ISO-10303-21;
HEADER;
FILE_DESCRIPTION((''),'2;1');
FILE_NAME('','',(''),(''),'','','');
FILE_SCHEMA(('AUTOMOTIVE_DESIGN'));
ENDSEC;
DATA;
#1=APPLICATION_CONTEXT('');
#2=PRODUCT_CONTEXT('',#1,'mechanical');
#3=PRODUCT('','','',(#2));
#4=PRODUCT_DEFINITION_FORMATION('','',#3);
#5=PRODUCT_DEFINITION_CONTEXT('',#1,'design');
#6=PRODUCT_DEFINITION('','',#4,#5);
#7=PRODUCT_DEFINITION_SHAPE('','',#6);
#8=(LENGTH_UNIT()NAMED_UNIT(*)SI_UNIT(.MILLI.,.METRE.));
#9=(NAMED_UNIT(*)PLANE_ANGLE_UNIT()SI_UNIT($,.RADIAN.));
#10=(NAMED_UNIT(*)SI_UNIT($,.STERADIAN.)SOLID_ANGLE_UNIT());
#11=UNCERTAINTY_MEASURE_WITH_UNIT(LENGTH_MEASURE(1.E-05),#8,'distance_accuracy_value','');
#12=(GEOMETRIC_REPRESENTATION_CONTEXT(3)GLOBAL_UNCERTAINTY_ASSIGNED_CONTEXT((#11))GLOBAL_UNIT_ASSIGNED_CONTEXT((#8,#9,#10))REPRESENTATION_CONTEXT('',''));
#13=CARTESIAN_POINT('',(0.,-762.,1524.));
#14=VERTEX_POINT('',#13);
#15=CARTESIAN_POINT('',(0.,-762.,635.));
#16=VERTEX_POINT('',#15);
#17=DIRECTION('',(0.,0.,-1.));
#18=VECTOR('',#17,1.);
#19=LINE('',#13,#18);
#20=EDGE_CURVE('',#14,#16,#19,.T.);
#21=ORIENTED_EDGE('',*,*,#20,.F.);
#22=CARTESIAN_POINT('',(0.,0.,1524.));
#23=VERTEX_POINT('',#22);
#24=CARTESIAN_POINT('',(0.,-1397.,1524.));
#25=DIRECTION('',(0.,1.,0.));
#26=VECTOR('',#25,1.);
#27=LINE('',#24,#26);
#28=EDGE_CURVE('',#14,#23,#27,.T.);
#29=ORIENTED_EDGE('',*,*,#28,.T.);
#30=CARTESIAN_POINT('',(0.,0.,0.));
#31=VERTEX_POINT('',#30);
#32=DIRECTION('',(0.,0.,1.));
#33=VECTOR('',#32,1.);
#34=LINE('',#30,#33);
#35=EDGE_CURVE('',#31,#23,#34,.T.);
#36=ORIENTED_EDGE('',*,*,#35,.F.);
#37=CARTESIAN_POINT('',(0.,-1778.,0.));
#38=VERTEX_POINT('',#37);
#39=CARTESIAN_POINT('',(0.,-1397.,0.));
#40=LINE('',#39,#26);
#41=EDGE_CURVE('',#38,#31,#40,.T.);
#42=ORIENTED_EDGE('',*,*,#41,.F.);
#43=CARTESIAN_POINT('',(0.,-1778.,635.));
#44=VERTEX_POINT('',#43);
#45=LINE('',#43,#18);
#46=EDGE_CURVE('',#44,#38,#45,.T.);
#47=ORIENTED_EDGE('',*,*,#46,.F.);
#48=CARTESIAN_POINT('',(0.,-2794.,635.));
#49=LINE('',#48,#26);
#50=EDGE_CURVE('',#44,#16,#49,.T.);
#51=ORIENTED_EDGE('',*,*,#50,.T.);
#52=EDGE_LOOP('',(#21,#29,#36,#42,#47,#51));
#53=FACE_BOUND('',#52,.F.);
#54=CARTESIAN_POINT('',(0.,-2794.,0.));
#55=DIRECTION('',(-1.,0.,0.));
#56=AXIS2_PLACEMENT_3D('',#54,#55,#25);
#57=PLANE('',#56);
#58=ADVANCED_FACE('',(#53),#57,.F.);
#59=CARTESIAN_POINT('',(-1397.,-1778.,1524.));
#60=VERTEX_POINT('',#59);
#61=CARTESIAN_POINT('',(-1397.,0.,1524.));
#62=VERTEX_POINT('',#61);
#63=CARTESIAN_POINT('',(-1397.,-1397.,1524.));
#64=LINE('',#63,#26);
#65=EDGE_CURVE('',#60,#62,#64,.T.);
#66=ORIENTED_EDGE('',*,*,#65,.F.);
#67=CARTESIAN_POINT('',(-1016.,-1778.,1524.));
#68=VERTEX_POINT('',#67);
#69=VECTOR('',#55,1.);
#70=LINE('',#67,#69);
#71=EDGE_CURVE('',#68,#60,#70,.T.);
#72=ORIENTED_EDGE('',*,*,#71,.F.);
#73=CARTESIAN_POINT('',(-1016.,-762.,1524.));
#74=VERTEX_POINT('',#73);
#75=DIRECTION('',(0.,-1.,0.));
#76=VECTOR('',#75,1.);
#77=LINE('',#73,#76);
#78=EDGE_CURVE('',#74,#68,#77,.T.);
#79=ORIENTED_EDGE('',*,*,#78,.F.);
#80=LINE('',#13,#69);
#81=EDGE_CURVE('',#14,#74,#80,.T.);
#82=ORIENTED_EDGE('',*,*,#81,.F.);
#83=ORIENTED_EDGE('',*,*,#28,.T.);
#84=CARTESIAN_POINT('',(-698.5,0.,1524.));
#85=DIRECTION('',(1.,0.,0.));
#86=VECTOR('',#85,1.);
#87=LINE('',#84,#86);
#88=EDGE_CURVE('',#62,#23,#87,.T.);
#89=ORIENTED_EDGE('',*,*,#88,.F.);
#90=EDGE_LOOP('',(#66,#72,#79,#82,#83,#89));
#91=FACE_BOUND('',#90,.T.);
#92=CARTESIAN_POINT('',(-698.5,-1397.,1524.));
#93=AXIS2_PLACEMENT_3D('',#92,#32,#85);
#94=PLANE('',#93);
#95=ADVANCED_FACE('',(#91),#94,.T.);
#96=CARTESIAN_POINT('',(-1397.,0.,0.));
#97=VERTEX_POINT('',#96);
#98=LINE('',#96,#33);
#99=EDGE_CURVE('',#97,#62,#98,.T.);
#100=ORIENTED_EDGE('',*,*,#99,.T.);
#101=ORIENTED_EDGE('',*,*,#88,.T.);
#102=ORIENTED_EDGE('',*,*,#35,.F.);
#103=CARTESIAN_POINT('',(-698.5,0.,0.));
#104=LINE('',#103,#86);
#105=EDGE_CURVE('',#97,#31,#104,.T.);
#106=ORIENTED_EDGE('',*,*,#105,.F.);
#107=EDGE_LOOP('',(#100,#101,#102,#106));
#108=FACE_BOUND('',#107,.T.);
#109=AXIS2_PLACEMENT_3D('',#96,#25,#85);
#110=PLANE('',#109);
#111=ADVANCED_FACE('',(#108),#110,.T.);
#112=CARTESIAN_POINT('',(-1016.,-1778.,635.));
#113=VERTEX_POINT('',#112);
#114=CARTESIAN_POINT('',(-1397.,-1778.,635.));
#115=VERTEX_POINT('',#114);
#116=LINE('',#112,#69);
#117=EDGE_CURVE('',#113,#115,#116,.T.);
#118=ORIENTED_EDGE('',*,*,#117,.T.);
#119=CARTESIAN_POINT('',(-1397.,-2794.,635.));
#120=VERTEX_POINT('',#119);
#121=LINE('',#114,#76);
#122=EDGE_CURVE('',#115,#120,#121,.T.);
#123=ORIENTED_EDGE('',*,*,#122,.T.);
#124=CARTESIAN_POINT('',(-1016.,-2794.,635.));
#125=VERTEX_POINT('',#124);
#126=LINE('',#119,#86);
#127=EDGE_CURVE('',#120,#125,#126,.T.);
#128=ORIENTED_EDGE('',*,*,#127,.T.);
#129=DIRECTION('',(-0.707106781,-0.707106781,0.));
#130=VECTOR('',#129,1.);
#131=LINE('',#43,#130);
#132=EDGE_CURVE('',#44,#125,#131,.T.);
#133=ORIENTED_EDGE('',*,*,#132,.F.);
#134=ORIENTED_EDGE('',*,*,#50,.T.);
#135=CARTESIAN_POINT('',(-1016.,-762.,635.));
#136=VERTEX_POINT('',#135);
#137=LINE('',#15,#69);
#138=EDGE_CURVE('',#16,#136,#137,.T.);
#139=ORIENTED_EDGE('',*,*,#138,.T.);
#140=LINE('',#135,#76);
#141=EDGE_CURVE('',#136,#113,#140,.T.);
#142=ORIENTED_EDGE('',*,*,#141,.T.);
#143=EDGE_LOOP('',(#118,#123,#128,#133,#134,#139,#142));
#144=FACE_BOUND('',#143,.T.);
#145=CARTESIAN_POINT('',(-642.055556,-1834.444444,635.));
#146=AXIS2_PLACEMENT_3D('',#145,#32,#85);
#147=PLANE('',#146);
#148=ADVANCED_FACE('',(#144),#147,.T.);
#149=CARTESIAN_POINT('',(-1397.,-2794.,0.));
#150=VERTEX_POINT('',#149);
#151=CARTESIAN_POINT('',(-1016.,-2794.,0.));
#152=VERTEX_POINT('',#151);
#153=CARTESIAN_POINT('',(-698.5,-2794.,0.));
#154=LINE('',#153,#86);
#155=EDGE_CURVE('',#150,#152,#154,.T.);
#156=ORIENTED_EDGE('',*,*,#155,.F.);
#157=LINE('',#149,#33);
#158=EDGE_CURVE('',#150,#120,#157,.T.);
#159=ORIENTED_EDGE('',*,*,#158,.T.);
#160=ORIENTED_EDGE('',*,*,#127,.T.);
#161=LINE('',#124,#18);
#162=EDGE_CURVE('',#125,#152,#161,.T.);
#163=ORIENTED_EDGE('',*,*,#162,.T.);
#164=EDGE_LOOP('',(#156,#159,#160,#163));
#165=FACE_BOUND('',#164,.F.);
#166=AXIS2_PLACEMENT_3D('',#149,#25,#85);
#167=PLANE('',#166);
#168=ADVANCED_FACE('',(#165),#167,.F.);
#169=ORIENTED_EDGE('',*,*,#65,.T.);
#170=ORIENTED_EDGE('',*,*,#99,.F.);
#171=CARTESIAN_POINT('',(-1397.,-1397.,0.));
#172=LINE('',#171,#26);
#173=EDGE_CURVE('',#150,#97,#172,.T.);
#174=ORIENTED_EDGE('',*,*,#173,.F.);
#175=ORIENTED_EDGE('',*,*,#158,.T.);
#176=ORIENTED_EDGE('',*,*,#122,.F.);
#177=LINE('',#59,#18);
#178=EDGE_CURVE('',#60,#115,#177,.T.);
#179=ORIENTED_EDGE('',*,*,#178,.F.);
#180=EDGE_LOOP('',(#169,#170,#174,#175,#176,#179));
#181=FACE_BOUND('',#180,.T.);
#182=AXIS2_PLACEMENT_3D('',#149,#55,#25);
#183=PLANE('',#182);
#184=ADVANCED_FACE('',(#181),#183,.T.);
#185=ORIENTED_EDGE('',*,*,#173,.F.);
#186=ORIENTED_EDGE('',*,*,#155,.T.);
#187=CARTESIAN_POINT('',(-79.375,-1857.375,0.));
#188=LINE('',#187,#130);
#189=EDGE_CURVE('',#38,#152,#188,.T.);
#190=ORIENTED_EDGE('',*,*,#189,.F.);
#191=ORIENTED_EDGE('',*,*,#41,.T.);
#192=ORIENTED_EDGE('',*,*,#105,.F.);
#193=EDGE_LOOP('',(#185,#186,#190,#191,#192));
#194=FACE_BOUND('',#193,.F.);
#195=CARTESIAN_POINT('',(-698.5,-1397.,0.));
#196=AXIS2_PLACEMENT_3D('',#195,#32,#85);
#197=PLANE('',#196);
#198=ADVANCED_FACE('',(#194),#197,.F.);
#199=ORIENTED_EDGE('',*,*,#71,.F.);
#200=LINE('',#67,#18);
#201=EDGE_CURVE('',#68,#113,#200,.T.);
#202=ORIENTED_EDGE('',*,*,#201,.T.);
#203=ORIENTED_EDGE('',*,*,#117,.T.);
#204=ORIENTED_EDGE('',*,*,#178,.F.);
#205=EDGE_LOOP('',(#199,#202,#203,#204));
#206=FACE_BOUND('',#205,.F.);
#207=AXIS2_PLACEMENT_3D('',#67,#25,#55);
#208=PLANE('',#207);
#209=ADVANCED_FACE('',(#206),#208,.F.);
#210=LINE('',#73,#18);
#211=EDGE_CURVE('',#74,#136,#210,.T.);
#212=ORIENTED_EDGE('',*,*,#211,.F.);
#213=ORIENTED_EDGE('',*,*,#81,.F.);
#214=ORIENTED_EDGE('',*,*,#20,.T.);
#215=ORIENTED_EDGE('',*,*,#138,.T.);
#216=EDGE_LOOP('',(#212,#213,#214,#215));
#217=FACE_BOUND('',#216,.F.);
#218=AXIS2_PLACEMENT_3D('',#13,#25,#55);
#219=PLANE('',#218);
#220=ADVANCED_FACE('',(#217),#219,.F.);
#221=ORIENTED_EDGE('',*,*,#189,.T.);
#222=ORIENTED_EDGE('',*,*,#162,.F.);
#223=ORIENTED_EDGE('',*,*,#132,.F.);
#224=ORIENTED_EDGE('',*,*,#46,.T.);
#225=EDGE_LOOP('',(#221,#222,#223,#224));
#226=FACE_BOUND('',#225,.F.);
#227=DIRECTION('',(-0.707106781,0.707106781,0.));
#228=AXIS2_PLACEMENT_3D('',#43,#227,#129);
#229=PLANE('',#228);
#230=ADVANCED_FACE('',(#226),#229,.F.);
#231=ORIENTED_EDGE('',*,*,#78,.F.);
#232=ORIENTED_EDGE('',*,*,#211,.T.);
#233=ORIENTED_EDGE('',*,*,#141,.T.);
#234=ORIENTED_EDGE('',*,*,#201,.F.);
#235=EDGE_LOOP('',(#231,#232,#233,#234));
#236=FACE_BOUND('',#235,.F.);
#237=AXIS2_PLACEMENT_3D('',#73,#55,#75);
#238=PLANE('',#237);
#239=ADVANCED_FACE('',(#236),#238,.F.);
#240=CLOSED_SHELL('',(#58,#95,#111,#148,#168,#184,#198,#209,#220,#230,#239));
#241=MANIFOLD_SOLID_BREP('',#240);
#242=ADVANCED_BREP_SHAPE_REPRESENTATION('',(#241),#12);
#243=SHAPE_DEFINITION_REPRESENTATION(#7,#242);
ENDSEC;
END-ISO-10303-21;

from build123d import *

# Parameters (mm, degrees)
F0_W     = 1397
F0_H     = 2794
F1_DEPTH = 1524
F3_DEPTH = 889
F5_DEPTH = 932.18


with BuildPart() as f1:
    # F0 (on Top) → F1 (new body)
    with BuildSketch(Plane.XY):
        with Locations((-698.5, -1397)):
            Rectangle(F0_W, F0_H)
    extrude(amount=F1_DEPTH)

    # F2 (on face) → F3 (cut)
    with BuildSketch(Plane.XY.offset(1524)):
        Polygon((-1016, -1778), (-1397, -1778), (-1397, -2794), (0, -2794), (0, -762), (-1016, -762), align=None)
    extrude(amount=-F3_DEPTH, mode=Mode.SUBTRACT)

    # F4 (on face) → F5 (cut)
    with BuildSketch(Plane.XY.offset(635)):
        Polygon((0, -2794), (0, -1778), (-1016, -2794), align=None)
    extrude(amount=-F5_DEPTH, mode=Mode.SUBTRACT)


solid = f1.part
